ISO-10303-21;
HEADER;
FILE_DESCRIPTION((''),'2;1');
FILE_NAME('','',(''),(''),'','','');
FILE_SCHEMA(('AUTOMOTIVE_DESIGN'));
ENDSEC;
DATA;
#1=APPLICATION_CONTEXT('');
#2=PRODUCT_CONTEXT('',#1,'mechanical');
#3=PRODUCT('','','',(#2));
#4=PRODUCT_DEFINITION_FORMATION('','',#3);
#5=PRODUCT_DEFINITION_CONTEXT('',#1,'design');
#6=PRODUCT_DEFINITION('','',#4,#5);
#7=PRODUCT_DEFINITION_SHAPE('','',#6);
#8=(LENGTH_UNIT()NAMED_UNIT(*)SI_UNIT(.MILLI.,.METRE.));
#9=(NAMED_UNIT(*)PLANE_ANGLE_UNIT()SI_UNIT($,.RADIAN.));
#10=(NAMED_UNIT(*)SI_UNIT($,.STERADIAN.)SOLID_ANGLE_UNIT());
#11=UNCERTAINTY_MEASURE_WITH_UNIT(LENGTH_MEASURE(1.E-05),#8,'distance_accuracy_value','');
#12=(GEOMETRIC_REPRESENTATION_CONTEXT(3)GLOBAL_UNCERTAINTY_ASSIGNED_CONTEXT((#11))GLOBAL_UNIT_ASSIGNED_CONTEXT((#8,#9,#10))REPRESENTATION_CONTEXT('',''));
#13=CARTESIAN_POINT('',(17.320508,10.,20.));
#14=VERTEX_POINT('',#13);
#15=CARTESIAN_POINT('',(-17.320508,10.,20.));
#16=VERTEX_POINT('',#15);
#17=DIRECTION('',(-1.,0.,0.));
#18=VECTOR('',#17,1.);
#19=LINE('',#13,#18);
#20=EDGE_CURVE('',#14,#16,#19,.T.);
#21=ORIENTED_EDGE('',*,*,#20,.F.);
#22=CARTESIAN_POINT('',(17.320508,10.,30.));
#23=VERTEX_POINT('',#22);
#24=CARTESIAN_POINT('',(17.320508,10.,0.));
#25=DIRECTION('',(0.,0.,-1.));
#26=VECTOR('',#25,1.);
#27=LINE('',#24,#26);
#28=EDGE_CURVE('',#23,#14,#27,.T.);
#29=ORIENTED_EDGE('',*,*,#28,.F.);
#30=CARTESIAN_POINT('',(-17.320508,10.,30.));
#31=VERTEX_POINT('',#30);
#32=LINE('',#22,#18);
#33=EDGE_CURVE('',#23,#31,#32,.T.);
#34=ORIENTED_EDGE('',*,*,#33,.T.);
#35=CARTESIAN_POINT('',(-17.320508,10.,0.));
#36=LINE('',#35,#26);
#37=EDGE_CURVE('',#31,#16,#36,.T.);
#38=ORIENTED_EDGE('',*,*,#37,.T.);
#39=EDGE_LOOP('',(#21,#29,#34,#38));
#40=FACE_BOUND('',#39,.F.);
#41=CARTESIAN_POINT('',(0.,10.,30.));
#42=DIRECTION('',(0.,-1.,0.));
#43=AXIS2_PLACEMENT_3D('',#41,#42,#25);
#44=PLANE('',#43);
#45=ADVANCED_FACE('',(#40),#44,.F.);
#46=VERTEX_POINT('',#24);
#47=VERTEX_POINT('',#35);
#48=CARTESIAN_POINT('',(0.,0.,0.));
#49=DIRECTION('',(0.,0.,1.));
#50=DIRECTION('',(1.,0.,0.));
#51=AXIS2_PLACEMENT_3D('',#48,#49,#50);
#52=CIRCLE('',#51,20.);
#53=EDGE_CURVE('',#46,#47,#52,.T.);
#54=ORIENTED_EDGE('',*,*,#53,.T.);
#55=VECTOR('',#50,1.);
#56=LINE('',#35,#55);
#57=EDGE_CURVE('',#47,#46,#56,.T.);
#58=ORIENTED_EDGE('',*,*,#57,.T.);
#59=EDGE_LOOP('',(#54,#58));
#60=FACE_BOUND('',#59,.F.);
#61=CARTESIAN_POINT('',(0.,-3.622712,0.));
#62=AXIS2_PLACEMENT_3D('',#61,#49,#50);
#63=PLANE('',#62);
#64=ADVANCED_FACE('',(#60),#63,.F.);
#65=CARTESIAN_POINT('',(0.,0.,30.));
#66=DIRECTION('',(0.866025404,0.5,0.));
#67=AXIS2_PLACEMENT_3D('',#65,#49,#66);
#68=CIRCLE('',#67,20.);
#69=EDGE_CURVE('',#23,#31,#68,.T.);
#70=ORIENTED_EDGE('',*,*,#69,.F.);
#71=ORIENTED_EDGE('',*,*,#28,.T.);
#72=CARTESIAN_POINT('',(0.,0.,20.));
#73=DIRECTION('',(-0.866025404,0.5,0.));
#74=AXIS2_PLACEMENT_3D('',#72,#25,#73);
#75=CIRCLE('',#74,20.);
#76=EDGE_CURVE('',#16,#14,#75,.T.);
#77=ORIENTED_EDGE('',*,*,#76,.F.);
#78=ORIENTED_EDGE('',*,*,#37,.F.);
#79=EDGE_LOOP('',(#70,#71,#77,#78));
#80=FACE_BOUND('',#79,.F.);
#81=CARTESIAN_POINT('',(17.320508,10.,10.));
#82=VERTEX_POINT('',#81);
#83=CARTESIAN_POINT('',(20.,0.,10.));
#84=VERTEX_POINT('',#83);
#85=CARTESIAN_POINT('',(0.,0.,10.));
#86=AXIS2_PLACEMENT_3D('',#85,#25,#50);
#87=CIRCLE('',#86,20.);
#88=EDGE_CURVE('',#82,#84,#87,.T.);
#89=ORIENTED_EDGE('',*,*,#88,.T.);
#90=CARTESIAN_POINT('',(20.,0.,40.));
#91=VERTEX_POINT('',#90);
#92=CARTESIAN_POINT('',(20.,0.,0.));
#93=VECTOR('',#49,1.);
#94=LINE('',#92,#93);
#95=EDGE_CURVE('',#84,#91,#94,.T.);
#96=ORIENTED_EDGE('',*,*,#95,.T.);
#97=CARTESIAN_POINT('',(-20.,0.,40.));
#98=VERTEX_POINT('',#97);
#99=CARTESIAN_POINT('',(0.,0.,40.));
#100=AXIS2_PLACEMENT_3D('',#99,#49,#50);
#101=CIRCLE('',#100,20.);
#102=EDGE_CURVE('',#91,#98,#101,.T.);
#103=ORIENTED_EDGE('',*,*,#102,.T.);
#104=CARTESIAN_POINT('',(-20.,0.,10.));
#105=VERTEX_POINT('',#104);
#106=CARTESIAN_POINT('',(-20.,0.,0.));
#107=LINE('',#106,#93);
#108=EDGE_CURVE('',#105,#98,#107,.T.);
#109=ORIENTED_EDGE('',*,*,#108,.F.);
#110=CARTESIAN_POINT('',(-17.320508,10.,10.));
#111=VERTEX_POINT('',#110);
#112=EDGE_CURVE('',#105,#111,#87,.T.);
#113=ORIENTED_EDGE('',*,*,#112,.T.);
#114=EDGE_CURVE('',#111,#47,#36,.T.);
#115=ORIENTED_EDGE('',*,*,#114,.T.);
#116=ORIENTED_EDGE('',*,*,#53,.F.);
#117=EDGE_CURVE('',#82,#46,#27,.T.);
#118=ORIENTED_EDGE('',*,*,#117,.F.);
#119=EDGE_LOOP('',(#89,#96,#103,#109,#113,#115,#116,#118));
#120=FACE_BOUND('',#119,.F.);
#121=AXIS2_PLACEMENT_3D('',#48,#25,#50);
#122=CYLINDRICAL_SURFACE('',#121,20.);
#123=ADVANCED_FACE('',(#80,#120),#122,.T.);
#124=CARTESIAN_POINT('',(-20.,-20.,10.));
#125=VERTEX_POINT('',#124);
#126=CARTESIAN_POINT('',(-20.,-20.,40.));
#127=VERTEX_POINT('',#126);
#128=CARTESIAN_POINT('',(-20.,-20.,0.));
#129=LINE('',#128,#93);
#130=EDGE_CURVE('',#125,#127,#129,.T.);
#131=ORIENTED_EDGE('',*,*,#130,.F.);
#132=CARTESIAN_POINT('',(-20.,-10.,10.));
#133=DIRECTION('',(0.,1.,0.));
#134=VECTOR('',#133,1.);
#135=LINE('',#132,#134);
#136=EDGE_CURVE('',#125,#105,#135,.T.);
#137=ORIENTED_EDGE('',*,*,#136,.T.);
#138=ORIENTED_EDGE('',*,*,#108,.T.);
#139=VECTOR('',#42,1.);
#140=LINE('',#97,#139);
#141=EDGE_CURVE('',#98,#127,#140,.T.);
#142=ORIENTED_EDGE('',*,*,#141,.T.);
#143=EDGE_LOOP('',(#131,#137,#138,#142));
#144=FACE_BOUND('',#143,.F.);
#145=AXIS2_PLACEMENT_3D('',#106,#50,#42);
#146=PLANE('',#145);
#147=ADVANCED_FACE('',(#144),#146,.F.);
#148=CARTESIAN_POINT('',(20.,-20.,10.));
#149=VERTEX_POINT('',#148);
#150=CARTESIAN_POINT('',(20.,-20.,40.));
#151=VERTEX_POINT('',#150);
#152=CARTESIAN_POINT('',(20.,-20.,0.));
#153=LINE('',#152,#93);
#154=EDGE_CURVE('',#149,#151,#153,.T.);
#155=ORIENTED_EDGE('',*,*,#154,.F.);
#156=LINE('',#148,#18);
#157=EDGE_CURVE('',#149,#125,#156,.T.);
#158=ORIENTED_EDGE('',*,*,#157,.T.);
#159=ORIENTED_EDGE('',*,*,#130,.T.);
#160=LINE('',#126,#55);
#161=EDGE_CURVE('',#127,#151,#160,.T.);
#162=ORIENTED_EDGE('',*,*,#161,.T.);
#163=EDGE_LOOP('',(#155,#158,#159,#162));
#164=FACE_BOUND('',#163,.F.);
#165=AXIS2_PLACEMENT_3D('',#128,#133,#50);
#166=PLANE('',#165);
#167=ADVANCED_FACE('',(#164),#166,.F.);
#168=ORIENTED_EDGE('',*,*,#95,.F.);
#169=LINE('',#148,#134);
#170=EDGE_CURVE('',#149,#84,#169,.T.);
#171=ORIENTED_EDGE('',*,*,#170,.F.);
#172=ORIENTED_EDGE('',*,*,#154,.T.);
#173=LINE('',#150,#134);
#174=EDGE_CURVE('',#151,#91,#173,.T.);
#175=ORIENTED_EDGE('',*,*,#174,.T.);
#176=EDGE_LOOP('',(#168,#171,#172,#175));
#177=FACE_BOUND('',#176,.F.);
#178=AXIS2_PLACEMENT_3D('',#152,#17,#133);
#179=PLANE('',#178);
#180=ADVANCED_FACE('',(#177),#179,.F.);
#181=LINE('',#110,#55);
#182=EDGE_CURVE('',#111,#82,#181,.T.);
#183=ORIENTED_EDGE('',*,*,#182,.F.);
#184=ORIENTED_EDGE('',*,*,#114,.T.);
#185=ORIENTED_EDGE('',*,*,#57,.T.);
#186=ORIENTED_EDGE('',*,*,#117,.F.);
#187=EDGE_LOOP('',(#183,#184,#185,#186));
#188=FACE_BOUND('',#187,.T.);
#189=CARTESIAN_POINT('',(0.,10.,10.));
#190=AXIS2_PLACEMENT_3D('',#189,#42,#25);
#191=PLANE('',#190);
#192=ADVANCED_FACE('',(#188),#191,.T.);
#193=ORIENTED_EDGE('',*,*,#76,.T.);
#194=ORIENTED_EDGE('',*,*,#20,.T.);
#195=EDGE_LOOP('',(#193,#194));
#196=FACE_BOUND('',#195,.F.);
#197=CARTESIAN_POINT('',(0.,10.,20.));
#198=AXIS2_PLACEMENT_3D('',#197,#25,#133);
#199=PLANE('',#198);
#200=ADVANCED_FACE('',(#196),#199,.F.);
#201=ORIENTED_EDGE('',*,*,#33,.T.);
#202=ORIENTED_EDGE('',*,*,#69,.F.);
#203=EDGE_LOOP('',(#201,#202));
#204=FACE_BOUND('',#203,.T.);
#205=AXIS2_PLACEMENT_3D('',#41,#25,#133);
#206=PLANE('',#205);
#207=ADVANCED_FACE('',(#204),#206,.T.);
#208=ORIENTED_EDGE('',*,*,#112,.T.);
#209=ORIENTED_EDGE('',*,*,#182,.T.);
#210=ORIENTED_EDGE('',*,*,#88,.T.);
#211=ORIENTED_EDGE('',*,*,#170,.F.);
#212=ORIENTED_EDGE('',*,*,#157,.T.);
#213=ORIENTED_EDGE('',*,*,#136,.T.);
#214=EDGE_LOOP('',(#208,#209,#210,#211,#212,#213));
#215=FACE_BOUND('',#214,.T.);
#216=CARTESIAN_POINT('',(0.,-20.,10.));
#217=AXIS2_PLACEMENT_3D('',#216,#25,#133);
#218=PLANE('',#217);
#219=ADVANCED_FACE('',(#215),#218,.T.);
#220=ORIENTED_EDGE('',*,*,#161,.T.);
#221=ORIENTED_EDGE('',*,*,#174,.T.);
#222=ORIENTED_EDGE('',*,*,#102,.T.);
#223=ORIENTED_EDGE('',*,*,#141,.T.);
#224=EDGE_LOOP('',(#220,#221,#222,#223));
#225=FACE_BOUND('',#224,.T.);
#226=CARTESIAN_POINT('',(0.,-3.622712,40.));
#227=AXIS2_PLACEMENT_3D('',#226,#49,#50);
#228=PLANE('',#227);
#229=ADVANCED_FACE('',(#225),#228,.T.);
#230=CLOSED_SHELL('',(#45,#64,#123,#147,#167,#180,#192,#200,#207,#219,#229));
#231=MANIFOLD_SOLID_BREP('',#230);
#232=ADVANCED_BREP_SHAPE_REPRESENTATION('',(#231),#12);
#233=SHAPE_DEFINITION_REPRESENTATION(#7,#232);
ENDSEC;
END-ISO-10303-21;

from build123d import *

# Parameters (mm, degrees)
BOSS_EXTRUDE1_DEPTH     = 40
SKETCH2_W               = 10
SKETCH2_H               = 30
SKETCH2_H_2             = 10
CUT_EXTRUDE1_DEPTH      = 40
CUT_EXTRUDE1_DEPTH_BACK = 40


with BuildPart() as part:
    # Sketch1 → Boss-Extrude1 (new body)
    with BuildSketch(Plane.XY):
        with BuildLine():
            Line((-20, 0), (-20, -20))
            Line((-20, -20), (20, -20))
            Line((20, -20), (20, 0))
            ThreePointArc((20, 0), (0, 20), (-20, 0))
        make_face()
    extrude(amount=BOSS_EXTRUDE1_DEPTH)

    # Sketch2 → Cut-Extrude1 (cut, two sides)
    with BuildSketch(Plane(origin=(0, 0, 0), x_dir=(0, 0, -1), z_dir=(1, 0, 0))) as cut_extrude1_sk:
        with Locations((-5, -5)):
            Rectangle(SKETCH2_W, SKETCH2_H)
        with Locations((-25, 15)):
            Rectangle(SKETCH2_W, SKETCH2_H_2)
    extrude(amount=CUT_EXTRUDE1_DEPTH, mode=Mode.SUBTRACT)
    extrude(cut_extrude1_sk.sketch, amount=-CUT_EXTRUDE1_DEPTH_BACK, mode=Mode.SUBTRACT)


solid = part.part
